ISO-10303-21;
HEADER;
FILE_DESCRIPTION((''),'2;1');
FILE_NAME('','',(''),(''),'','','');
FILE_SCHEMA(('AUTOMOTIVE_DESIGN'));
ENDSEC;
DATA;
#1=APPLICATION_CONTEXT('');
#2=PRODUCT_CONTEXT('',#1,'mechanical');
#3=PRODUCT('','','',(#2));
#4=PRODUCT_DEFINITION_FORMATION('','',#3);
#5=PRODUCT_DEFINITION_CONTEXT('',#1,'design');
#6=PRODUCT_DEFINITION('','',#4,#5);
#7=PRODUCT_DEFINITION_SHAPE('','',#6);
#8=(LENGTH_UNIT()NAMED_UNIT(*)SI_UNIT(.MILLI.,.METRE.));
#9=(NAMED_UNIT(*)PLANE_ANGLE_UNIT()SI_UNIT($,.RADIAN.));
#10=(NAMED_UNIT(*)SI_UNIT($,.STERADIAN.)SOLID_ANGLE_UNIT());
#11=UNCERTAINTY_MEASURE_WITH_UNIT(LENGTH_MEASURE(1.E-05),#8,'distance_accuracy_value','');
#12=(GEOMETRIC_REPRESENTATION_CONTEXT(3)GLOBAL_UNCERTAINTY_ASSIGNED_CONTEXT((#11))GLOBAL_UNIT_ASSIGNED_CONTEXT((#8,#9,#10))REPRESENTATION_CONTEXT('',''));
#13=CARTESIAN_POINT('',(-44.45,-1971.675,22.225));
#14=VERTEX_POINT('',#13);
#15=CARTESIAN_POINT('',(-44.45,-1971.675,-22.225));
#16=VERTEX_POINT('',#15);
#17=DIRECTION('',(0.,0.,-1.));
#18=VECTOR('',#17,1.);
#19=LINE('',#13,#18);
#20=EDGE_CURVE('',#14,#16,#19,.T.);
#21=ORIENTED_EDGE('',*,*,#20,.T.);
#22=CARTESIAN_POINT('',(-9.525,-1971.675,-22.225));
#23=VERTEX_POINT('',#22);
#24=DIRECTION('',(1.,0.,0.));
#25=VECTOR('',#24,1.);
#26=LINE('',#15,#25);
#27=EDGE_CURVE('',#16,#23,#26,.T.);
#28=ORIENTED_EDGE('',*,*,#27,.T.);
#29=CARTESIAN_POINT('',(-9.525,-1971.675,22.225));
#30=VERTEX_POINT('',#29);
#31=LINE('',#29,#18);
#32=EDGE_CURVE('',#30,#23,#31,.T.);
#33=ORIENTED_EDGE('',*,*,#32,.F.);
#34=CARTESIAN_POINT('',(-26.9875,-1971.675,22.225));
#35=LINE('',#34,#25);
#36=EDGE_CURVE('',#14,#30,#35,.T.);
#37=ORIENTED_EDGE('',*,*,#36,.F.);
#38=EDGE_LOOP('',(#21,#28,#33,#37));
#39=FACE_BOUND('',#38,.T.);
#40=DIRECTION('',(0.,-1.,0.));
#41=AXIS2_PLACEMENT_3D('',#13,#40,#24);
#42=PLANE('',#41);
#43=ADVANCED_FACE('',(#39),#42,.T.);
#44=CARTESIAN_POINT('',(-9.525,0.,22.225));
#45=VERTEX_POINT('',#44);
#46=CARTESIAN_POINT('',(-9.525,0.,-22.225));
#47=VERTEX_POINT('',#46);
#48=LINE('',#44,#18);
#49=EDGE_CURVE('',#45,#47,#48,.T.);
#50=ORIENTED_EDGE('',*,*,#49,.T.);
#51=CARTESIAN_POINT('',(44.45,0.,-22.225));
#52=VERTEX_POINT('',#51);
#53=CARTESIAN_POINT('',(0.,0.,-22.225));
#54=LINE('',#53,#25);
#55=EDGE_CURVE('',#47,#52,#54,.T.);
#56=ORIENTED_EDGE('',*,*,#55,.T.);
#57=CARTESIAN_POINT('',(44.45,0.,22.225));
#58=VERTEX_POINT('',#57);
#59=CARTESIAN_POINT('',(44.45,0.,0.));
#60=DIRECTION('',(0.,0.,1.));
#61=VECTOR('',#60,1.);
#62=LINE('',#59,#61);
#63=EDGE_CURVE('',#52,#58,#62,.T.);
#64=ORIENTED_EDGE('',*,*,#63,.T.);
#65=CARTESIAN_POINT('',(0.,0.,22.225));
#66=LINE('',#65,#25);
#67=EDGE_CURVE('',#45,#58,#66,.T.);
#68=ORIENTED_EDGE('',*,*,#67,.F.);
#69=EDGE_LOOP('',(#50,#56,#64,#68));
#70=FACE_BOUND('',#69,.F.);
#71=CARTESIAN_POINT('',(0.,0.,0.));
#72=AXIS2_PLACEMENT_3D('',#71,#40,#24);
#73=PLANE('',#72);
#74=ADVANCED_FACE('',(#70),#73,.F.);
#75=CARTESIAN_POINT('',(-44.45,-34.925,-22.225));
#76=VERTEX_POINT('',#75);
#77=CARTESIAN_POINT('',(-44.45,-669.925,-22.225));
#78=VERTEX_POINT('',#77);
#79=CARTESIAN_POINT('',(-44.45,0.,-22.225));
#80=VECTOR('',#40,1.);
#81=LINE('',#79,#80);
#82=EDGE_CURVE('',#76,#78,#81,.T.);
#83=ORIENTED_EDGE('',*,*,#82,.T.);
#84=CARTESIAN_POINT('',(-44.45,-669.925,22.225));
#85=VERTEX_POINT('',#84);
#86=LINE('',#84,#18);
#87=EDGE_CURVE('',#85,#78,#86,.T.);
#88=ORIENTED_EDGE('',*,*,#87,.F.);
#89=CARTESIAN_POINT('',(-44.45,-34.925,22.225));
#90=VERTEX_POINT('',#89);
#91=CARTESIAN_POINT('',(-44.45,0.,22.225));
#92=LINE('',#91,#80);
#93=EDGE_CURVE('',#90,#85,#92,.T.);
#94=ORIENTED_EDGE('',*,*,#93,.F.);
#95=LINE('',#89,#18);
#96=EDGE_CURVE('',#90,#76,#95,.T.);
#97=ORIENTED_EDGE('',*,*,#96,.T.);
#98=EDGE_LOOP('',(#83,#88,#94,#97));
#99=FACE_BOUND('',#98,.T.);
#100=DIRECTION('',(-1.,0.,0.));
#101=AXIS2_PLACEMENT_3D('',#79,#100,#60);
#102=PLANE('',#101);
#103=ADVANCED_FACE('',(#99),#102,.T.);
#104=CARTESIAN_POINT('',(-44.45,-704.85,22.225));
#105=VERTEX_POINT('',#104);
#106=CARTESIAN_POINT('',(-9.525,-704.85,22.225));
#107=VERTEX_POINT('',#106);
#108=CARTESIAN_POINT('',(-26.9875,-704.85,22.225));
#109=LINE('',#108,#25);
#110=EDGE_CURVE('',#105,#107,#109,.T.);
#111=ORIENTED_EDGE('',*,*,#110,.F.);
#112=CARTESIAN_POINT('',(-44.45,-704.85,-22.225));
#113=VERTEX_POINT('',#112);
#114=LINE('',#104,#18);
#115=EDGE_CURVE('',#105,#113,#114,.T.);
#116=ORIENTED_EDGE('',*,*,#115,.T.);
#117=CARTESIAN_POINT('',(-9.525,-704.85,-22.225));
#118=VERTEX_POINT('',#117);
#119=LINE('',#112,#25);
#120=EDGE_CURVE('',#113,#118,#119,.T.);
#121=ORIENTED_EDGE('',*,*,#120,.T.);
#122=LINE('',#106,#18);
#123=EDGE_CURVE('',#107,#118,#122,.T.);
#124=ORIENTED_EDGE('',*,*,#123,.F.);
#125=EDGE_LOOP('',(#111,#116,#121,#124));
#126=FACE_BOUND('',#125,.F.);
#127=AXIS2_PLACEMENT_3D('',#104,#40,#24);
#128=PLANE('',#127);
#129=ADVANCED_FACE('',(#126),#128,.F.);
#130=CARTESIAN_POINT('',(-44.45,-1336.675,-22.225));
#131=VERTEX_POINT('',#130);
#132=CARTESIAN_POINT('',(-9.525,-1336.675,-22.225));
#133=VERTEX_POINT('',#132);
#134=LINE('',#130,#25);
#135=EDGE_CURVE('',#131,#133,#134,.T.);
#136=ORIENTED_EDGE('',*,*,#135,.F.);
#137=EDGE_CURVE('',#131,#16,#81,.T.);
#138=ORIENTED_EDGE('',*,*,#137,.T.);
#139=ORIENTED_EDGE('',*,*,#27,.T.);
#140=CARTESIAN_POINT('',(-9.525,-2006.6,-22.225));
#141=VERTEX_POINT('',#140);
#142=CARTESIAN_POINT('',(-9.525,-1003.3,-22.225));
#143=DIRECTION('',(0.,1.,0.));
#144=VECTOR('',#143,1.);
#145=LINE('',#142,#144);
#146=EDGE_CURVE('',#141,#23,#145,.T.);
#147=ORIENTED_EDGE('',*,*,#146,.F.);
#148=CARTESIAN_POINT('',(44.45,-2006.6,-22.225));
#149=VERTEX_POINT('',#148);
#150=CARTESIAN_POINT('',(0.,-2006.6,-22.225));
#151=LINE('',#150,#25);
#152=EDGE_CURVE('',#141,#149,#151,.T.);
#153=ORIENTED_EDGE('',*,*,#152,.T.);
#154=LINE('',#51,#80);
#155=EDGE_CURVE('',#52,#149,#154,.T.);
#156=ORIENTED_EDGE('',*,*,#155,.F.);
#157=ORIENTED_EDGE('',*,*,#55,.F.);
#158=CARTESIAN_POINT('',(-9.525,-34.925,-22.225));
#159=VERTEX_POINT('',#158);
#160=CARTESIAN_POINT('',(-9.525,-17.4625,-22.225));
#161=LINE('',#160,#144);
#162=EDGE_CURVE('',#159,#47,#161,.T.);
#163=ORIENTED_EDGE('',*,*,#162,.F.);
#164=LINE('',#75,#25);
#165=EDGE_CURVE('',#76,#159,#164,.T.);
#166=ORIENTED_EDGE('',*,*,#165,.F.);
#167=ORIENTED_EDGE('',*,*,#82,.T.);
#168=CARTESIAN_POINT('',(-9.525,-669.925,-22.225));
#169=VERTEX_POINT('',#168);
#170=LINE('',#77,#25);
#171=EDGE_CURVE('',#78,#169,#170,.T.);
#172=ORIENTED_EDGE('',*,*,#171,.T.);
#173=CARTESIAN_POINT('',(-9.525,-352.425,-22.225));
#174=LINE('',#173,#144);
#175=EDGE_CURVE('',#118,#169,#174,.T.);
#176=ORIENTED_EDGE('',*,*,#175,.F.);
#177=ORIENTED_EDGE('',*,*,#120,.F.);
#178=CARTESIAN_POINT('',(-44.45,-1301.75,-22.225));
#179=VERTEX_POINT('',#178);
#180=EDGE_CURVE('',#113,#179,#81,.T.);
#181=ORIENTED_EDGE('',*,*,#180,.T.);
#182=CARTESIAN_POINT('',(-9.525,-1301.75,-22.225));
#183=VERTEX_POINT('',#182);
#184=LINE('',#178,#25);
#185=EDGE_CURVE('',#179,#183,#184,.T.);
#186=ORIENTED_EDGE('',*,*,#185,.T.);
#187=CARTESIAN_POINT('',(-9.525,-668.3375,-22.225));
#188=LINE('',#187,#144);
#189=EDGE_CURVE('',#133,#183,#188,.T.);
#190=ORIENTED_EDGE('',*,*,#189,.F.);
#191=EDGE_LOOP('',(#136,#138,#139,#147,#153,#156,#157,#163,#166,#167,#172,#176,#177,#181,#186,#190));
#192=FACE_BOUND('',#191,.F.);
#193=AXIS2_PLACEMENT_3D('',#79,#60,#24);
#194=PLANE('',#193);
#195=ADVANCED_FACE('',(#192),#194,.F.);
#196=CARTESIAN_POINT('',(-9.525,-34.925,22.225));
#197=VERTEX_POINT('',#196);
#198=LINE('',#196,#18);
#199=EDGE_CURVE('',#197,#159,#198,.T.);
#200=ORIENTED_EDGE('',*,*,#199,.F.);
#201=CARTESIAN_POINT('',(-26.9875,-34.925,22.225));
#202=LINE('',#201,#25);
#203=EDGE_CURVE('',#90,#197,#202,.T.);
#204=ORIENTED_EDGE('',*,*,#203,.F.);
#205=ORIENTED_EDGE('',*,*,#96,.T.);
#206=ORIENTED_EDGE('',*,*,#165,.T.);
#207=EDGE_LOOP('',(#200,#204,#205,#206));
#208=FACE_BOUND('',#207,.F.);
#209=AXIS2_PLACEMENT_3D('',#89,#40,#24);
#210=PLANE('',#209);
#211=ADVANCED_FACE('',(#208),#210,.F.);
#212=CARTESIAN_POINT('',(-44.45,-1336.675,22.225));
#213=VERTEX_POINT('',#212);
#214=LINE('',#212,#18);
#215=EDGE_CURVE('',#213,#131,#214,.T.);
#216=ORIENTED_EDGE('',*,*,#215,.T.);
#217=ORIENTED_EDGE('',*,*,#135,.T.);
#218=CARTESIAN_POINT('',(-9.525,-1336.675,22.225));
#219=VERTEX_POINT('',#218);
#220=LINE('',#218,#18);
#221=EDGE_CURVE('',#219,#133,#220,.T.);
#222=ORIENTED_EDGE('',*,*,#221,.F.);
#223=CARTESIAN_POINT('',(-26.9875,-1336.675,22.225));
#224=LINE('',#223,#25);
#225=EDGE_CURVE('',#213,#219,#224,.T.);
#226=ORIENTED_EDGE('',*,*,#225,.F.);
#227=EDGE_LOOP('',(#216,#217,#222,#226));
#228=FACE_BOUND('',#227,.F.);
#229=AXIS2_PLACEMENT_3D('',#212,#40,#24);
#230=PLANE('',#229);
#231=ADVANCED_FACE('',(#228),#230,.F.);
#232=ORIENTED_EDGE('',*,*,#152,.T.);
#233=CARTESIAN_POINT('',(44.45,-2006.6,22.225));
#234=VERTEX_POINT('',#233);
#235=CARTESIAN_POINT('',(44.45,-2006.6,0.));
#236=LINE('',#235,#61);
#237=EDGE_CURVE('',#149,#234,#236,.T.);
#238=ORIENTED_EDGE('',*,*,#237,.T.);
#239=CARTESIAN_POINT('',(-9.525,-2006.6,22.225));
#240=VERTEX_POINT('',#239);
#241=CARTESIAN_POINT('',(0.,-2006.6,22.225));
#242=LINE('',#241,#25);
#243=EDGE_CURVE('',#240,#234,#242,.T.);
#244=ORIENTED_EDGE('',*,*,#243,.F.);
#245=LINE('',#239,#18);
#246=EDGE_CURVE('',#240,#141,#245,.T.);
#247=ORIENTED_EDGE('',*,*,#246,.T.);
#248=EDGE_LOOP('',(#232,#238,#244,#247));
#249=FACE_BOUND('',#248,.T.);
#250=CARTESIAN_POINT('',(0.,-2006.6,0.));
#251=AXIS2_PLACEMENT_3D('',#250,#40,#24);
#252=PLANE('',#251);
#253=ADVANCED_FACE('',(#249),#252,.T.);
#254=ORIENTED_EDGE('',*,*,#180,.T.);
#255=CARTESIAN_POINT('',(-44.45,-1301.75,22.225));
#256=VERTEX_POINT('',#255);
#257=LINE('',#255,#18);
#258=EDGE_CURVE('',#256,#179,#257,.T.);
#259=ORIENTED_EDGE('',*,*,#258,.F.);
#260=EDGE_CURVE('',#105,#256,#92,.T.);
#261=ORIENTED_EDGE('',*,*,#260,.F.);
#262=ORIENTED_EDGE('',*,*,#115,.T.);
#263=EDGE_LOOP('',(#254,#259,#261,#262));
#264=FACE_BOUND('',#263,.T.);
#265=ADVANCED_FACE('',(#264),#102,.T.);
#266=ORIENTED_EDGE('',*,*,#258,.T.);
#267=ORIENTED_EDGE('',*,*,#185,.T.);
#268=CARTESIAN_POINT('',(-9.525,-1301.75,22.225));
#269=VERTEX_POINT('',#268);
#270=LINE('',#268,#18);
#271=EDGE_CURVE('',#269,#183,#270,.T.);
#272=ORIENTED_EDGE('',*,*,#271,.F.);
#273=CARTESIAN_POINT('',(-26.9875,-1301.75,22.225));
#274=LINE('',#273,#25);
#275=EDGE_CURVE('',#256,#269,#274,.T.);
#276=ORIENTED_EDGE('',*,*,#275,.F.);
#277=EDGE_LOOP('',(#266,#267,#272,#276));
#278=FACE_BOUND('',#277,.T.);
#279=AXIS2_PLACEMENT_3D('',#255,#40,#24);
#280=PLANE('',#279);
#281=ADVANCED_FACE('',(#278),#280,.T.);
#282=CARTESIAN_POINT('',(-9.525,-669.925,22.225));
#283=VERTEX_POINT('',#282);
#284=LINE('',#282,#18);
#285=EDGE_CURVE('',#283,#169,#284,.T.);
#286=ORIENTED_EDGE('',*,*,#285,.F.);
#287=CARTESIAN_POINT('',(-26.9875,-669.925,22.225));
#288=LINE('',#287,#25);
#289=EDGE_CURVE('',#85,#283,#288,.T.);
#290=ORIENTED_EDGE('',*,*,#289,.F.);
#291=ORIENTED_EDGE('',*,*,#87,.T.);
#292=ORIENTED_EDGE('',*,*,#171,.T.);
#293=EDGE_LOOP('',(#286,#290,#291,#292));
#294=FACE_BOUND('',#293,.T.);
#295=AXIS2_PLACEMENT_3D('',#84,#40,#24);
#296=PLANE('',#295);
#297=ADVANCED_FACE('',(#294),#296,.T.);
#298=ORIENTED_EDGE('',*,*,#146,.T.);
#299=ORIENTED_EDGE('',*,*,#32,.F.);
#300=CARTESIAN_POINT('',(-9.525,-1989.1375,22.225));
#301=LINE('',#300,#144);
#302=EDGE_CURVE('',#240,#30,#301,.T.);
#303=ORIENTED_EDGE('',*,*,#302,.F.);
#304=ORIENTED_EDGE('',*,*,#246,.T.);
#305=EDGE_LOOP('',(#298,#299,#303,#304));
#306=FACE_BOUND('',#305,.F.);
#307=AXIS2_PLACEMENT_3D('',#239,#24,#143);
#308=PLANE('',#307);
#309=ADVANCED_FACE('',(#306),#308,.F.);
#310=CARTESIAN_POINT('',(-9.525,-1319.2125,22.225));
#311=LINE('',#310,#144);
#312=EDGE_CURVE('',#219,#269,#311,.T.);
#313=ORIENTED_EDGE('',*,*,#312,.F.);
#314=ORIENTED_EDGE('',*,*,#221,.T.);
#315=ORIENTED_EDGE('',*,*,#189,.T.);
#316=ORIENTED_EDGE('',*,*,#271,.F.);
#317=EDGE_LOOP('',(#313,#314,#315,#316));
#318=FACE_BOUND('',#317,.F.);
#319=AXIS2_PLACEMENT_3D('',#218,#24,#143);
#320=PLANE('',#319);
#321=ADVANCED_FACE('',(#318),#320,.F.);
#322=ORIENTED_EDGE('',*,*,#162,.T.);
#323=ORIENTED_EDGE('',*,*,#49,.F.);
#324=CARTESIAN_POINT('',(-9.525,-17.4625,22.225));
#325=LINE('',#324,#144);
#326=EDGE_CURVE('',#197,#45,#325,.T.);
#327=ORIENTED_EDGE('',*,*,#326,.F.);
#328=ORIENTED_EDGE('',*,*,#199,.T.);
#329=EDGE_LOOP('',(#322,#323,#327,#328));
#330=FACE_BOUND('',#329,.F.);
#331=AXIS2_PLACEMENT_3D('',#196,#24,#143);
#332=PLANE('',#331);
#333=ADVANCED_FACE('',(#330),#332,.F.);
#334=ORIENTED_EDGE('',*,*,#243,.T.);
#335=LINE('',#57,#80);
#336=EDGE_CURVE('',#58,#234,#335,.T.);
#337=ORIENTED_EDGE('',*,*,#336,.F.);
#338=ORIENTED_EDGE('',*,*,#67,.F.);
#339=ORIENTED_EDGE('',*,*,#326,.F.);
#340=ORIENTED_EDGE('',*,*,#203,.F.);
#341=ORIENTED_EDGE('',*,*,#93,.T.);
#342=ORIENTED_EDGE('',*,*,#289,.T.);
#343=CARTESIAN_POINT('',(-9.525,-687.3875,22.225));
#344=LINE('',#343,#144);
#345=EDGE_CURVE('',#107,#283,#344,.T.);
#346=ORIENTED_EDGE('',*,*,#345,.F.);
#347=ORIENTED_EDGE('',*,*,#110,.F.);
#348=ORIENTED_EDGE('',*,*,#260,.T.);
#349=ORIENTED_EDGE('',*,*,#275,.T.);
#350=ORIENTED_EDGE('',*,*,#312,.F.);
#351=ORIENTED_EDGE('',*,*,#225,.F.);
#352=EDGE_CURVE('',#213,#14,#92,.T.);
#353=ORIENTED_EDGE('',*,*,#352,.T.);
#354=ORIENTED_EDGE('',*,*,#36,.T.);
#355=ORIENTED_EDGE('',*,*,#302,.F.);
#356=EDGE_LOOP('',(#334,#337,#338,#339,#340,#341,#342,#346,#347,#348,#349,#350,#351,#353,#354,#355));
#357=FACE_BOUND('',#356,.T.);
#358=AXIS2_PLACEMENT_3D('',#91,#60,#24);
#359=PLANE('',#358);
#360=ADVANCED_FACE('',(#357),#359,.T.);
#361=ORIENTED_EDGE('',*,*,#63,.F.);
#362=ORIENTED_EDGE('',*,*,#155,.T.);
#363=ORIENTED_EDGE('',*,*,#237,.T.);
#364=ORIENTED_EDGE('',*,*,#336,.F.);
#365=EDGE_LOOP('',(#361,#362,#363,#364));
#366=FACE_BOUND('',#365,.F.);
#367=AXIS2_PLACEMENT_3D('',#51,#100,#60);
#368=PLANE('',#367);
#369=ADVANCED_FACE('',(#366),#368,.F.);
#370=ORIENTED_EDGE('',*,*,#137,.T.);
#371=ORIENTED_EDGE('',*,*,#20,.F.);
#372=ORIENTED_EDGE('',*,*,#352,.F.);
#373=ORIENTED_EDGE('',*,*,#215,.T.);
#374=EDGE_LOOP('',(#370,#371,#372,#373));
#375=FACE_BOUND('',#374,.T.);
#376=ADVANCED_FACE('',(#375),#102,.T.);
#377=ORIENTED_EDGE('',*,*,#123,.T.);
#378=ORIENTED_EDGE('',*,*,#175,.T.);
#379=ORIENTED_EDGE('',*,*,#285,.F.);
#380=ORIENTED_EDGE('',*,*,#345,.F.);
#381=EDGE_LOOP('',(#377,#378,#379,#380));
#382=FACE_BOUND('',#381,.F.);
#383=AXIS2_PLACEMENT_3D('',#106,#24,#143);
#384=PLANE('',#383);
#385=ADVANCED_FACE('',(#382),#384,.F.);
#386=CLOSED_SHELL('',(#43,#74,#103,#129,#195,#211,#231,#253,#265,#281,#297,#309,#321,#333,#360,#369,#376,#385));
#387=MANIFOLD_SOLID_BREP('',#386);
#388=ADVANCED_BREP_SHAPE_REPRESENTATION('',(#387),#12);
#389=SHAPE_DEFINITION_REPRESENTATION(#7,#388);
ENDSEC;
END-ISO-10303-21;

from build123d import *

# Parameters (mm, degrees)
F0_W     = 88.9
F0_H     = 44.45
F1_DEPTH = 2006.6
F2_W     = 34.925
F2_H     = 34.925
F3_DEPTH = 50.8


with BuildPart() as f1:
    # F0 (on Front) → F1 (new body)
    with BuildSketch(Plane.XZ):
        Rectangle(F0_W, F0_H)
    extrude(amount=F1_DEPTH)

    # F2 (on face) → F3 (cut)
    with BuildSketch(Plane.XY.offset(22.225)):
        with Locations((-26.9875, -17.4625)):
            Rectangle(F2_W, F2_H)
        with Locations((-26.9875, -1989.1375)):
            Rectangle(F2_W, F2_H)
        with Locations((-26.9875, -1319.2125)):
            Rectangle(F2_W, F2_H)
        with Locations((-26.9875, -687.3875)):
            Rectangle(F2_W, F2_H)
    extrude(amount=-F3_DEPTH, mode=Mode.SUBTRACT)


solid = f1.part
